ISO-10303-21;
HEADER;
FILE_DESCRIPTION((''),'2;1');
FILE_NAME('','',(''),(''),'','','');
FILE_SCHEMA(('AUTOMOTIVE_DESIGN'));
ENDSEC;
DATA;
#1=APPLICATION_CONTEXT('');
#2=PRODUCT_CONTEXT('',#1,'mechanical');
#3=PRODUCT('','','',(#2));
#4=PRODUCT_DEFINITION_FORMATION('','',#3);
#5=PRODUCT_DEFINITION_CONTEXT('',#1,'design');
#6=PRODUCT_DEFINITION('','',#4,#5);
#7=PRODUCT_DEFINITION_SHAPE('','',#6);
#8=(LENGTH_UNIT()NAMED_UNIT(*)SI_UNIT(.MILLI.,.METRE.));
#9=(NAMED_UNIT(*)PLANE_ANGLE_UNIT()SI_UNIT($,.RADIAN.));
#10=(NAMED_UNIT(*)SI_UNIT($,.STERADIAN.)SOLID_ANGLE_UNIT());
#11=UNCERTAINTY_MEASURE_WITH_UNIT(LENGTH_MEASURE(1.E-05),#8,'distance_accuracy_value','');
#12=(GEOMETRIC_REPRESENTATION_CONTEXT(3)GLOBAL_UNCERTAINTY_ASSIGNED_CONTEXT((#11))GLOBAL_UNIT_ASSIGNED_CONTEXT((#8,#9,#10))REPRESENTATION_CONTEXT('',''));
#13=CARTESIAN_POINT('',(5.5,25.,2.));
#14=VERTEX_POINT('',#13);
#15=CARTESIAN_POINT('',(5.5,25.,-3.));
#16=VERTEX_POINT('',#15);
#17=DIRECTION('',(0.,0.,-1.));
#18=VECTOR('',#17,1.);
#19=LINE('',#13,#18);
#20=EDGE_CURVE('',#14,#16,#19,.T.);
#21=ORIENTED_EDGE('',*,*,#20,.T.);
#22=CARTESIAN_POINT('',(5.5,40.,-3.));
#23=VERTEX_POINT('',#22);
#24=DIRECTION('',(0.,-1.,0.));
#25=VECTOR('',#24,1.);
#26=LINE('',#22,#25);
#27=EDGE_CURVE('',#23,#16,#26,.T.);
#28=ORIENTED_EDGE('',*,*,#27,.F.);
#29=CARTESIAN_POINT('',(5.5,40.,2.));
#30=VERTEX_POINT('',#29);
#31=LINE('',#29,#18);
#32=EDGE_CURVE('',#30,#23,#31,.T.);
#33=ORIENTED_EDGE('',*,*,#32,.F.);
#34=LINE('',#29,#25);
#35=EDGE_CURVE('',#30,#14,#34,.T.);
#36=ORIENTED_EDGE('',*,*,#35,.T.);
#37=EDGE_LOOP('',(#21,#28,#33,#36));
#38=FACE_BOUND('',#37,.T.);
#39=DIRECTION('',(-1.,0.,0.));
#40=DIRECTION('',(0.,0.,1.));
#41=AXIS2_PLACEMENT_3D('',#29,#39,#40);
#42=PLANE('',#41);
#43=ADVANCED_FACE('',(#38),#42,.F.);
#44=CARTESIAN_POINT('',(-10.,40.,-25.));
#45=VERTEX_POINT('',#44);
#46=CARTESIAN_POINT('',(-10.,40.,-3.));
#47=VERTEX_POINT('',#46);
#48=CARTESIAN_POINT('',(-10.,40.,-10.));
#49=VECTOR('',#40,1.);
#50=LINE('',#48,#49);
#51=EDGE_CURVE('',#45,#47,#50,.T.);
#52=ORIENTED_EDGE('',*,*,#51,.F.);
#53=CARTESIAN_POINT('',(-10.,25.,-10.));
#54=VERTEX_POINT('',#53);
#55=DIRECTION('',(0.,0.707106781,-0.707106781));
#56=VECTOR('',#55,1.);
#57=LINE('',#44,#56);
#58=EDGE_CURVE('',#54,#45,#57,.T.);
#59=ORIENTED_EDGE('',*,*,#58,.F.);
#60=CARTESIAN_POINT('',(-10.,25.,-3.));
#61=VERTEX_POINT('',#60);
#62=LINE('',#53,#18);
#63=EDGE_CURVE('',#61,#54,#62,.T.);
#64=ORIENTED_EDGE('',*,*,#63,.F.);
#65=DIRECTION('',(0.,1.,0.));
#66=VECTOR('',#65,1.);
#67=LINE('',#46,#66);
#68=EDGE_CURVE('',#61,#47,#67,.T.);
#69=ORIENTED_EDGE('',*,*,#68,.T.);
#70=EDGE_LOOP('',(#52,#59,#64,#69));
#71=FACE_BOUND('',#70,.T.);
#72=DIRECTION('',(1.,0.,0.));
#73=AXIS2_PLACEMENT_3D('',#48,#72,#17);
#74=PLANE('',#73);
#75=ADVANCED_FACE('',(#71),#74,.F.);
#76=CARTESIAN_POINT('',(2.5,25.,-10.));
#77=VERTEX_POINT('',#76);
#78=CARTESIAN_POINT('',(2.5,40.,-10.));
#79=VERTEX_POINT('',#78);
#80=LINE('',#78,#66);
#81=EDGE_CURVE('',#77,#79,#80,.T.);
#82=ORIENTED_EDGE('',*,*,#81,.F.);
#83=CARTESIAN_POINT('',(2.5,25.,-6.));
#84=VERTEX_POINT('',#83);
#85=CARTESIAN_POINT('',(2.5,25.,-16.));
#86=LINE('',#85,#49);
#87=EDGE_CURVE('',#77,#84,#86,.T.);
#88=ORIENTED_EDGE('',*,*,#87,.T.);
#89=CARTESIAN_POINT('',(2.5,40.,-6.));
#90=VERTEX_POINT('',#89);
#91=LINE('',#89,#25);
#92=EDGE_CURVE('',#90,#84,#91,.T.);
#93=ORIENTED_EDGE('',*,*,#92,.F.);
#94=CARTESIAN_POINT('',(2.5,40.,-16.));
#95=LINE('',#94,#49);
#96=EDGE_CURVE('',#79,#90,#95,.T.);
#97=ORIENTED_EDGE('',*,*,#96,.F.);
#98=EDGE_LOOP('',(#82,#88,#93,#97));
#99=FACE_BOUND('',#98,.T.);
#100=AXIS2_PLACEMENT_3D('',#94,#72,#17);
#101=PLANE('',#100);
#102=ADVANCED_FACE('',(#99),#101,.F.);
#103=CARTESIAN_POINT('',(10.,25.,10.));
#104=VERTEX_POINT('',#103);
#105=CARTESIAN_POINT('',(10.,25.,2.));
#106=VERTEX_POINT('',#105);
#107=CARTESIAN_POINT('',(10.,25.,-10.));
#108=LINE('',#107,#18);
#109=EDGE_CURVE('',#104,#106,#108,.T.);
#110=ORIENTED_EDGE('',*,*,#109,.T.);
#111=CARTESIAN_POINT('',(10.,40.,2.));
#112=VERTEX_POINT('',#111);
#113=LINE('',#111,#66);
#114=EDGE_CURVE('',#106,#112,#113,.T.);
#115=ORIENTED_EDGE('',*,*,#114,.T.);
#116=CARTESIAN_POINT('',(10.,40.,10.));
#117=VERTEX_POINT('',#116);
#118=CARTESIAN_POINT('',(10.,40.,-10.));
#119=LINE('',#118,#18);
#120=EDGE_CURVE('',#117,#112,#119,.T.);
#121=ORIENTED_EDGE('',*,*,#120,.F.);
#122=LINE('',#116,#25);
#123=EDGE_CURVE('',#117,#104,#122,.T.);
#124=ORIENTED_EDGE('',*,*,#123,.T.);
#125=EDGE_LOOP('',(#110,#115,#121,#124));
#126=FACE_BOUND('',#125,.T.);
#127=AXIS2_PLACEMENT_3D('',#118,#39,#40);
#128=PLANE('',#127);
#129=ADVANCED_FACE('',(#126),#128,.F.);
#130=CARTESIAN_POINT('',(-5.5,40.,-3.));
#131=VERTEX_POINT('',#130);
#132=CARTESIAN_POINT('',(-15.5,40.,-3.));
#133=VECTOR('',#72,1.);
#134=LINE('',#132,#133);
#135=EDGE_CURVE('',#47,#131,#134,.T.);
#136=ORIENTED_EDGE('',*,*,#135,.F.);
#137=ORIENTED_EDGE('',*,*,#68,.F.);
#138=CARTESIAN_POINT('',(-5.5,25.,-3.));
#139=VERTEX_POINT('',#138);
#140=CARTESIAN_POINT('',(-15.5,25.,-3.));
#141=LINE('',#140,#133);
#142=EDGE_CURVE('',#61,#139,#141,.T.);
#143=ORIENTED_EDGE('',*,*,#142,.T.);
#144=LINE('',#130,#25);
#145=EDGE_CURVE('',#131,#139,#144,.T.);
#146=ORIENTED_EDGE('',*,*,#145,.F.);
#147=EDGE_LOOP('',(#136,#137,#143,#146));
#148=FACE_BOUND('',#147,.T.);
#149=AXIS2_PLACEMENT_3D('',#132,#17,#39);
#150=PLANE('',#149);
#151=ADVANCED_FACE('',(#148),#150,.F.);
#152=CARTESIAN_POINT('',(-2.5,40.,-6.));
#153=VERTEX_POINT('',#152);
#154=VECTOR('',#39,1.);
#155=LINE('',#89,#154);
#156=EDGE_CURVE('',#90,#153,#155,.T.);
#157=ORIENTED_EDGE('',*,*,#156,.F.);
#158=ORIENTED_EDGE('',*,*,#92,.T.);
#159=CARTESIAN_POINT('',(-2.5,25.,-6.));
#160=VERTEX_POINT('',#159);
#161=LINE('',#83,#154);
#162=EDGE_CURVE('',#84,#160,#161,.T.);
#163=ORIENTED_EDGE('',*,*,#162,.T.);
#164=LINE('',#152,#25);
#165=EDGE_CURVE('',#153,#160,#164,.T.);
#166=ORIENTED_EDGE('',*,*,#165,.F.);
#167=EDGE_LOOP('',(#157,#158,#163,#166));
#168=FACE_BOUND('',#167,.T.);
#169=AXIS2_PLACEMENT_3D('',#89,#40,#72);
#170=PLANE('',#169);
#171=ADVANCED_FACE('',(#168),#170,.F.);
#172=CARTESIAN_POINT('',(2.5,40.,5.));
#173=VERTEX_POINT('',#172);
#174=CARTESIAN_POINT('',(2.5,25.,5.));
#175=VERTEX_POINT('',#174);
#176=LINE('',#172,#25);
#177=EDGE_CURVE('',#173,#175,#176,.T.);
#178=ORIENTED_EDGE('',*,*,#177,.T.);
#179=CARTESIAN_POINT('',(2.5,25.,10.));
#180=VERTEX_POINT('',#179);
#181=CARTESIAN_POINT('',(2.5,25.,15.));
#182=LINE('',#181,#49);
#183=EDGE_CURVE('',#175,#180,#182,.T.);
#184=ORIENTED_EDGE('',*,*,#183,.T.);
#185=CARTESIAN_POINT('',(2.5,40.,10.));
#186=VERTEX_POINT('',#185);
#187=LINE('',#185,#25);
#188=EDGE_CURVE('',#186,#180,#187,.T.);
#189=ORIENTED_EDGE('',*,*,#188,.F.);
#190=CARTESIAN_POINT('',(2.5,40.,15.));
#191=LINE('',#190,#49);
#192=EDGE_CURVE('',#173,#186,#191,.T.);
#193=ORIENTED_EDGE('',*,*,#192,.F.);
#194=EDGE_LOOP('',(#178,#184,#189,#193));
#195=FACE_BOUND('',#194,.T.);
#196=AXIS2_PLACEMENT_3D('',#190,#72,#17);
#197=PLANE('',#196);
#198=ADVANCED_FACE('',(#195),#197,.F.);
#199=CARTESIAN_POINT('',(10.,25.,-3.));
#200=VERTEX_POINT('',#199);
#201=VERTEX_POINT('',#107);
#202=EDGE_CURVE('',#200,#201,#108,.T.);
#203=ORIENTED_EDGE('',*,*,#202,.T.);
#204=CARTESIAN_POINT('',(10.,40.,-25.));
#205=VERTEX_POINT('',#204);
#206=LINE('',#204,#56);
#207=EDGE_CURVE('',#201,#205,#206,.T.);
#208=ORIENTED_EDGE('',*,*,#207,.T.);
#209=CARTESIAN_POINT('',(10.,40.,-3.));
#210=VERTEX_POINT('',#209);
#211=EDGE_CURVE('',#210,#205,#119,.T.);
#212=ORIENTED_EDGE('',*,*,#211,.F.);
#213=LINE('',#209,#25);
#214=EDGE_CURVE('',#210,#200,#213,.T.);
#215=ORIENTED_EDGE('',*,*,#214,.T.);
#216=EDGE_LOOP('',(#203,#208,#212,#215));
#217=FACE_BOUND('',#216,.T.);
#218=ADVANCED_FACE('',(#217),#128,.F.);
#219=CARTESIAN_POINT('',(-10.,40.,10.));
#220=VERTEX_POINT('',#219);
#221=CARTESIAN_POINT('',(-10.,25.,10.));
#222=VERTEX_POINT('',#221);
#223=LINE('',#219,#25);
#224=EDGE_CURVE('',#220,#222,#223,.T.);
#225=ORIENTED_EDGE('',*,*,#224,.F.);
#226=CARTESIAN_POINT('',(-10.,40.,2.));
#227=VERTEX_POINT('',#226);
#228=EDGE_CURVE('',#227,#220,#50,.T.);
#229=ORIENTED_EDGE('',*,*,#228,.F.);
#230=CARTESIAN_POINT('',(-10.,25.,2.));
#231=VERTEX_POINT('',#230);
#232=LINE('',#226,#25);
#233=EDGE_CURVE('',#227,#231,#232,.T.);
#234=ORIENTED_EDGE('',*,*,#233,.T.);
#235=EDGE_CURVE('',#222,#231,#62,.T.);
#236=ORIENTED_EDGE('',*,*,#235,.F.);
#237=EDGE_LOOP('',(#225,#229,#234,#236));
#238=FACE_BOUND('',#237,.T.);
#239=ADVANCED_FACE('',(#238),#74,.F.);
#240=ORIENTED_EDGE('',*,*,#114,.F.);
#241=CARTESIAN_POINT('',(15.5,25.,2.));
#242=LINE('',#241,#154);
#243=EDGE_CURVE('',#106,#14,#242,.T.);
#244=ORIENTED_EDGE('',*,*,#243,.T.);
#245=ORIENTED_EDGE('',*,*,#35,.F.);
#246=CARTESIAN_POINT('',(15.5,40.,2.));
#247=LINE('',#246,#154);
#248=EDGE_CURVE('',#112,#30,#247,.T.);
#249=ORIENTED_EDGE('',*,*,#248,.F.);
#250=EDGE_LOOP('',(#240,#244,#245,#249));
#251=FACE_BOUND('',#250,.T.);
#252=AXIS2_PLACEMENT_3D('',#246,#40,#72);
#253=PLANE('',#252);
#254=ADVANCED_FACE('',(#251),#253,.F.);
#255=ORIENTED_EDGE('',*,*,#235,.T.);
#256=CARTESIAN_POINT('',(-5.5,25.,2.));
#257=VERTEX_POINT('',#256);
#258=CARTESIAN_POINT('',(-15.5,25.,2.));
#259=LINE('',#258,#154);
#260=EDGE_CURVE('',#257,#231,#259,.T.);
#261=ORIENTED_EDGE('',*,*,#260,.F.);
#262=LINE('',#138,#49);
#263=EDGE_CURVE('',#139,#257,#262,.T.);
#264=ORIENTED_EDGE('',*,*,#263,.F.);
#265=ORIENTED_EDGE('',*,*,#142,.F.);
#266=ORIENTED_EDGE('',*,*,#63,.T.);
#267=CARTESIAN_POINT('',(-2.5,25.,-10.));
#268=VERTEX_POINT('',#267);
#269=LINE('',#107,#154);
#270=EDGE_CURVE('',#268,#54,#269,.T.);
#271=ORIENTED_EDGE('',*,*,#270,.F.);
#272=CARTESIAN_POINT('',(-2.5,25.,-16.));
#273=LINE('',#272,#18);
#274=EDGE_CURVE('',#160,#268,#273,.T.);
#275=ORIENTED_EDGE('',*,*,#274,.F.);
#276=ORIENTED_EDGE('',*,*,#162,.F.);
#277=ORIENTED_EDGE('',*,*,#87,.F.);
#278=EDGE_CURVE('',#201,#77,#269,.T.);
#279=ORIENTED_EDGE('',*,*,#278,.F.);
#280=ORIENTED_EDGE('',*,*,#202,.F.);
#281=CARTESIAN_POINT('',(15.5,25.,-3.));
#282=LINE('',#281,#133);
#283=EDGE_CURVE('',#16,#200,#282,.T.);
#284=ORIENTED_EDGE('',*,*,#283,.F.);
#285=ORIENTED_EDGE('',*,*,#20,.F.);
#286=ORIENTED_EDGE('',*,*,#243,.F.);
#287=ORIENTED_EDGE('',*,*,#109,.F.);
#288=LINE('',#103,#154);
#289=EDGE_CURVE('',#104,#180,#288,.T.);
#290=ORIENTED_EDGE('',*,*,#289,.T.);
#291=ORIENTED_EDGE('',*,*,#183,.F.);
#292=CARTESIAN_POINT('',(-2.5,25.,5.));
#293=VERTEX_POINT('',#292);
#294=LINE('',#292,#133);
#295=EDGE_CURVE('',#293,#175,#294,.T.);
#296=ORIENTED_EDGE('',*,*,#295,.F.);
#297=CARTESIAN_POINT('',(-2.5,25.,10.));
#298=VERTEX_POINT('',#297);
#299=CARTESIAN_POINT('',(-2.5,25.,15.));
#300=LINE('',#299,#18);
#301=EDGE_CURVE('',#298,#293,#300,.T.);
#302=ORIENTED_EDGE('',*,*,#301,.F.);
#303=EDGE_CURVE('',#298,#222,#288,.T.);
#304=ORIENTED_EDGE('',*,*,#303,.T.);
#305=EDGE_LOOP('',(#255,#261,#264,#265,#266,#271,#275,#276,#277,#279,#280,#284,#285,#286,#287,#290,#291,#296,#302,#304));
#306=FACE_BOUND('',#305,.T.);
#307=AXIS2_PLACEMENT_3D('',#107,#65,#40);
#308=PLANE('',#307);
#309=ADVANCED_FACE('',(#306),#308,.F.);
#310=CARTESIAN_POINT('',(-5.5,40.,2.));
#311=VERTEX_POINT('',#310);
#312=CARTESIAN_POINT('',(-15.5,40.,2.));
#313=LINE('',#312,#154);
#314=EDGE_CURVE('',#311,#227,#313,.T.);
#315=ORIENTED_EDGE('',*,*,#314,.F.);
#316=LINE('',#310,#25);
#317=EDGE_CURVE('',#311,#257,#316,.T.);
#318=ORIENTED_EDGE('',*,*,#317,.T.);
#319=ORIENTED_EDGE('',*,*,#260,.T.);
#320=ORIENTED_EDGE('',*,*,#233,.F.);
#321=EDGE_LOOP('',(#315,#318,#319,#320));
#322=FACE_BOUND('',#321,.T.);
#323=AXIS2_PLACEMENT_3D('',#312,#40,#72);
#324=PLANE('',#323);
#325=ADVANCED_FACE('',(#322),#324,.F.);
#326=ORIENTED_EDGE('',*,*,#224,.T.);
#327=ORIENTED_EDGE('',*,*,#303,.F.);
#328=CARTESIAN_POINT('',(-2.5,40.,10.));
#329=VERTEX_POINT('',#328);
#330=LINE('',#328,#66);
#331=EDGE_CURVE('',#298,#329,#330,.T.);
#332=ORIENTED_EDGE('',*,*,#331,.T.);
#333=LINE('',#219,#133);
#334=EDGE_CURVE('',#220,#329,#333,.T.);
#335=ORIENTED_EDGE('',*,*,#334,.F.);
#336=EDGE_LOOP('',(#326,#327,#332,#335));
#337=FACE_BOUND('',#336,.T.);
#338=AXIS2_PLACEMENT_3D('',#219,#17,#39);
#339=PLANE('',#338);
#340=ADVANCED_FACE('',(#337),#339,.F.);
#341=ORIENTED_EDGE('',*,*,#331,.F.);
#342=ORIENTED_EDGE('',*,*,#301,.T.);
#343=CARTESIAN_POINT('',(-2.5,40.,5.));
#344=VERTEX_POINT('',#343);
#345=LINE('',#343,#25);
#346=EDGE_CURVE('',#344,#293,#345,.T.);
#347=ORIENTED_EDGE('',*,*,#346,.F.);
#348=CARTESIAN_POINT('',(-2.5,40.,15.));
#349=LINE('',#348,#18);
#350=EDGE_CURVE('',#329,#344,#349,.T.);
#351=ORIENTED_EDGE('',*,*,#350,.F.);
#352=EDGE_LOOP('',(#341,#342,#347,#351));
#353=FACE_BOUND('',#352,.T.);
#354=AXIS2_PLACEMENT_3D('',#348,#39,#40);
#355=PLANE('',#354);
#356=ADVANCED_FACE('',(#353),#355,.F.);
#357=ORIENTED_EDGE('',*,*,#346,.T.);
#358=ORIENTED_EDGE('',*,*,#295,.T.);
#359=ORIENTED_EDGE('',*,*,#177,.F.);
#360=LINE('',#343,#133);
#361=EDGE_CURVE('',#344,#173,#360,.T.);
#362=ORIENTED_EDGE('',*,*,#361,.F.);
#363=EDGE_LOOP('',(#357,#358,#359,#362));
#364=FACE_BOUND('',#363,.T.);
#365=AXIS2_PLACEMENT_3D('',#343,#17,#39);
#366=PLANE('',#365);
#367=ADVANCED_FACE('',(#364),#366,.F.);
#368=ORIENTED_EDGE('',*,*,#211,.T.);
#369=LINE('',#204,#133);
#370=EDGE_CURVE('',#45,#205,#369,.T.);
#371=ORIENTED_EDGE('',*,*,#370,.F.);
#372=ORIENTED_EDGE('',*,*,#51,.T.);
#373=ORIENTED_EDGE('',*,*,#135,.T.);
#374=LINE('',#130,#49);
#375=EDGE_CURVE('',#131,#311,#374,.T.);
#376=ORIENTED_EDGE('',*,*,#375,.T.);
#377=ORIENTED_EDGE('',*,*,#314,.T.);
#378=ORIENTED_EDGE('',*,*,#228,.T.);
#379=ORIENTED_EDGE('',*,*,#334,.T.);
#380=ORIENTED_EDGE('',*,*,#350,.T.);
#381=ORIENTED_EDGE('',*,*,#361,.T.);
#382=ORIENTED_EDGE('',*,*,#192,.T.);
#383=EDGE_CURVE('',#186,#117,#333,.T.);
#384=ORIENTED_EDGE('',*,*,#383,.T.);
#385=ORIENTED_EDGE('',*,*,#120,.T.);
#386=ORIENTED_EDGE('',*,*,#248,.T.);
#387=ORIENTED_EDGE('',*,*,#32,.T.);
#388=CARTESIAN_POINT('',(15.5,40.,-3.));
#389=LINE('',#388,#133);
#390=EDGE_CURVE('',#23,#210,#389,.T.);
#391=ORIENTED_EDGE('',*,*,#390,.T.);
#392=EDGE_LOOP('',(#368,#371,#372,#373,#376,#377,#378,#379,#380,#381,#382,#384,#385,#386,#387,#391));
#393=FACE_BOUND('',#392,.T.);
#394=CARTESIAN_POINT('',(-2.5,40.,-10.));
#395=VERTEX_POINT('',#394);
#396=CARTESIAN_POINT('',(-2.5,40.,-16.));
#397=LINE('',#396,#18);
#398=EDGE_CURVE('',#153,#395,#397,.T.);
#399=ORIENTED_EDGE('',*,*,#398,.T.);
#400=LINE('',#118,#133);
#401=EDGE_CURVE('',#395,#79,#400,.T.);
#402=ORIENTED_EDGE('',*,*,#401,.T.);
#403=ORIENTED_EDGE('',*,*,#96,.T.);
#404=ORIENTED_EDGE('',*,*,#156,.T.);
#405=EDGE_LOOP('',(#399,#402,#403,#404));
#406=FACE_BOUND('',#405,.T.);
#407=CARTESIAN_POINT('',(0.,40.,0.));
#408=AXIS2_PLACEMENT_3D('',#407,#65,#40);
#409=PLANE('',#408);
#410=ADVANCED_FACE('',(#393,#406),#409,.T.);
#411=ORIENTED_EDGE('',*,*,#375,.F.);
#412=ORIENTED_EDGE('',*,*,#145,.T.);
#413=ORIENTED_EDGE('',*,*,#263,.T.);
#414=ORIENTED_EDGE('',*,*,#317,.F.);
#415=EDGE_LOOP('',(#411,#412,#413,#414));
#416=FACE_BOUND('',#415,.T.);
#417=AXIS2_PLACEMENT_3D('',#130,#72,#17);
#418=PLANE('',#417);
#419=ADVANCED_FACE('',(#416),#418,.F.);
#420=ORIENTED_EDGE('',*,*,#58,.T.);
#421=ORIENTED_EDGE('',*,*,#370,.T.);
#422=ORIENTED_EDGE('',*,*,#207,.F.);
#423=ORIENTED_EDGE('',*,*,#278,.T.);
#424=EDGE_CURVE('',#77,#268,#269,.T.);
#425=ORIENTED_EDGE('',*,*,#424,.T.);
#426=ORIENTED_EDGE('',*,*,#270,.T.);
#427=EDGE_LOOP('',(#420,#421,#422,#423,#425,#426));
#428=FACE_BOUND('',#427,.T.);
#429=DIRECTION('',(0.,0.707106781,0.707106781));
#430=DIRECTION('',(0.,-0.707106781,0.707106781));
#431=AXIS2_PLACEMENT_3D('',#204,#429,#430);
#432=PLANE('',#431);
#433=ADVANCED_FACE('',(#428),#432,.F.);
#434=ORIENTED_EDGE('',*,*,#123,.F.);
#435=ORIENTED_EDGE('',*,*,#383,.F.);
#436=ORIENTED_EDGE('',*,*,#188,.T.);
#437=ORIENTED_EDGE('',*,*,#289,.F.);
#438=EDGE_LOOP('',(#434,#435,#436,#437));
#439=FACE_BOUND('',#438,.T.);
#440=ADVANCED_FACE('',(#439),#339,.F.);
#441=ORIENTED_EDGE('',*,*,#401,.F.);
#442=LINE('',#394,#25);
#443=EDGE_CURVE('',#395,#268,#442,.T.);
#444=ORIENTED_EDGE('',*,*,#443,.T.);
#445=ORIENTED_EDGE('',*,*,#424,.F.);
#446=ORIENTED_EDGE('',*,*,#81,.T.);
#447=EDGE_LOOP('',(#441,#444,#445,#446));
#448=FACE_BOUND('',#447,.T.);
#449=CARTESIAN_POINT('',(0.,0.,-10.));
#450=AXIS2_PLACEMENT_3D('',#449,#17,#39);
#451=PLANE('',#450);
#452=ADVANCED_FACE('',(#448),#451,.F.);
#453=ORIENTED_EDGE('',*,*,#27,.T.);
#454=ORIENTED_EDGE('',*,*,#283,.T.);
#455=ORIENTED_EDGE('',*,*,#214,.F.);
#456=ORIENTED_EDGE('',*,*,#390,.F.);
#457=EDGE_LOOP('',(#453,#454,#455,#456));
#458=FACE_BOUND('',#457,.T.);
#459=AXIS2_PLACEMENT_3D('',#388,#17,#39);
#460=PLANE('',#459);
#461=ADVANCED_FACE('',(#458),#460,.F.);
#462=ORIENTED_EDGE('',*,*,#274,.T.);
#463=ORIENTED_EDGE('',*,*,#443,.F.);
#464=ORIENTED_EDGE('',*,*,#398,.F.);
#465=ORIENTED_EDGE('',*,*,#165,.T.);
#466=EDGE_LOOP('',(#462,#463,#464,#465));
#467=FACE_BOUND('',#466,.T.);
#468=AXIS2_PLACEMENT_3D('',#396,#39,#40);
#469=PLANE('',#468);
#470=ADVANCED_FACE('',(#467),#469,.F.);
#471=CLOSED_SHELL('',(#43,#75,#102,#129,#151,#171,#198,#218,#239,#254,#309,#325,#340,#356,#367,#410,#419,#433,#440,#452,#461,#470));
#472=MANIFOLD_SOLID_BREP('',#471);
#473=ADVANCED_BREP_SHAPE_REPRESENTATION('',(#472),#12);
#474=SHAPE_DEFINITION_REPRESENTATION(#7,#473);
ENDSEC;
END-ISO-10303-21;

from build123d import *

# Parameters (mm, degrees)
SKETCH2_W           = 20
SKETCH2_H           = 20
BOSS_EXTRUDE2_DEPTH = 40
SKETCH4_W           = 5
SKETCH4_H           = 10
CUT_EXTRUDE1_DEPTH  = 41
CIRPATTERN1_COUNT   = 4
SKETCH10_W          = 20
SKETCH10_H          = 15
BOSS_EXTRUDE4_DEPTH = 15
CUT_EXTRUDE3_DEPTH  = 21
SKETCH13_W          = 20
SKETCH13_H          = 25
CUT_EXTRUDE4_DEPTH  = 21


with BuildPart() as part:
    # Sketch2 → Boss-Extrude2 (new body)
    with BuildSketch(Plane(origin=(0, 0, 0), x_dir=(1, 0, 0), z_dir=(0, 1, 0))):
        Rectangle(SKETCH2_W, SKETCH2_H)
    extrude(amount=BOSS_EXTRUDE2_DEPTH)

    # Sketch4 → Cut-Extrude1 (cut, through all)
    with BuildSketch(Plane.XZ):
        with Locations((0, 10)):
            Rectangle(SKETCH4_W, SKETCH4_H)
    cut_extrude1 = extrude(amount=-CUT_EXTRUDE1_DEPTH, mode=Mode.SUBTRACT)

    # CirPattern1: Cut-Extrude1 ×4 about axis
    cirpattern1_axis = Axis((0, 0, -0.5), (0, 1, 0))
    for i in range(1, CIRPATTERN1_COUNT):
        add(cut_extrude1.rotate(cirpattern1_axis, i * 360 / CIRPATTERN1_COUNT), mode=Mode.SUBTRACT)

    # Sketch10 → Boss-Extrude4 (add)
    with BuildSketch(Plane(origin=(0, 0, -10), x_dir=(-1, 0, 0), z_dir=(0, 0, -1))):
        with Locations((0, 32.5)):
            Rectangle(SKETCH10_W, SKETCH10_H)
    extrude(amount=BOSS_EXTRUDE4_DEPTH)

    # Sketch12 → Cut-Extrude3 (cut, through all)
    with BuildSketch(Plane.ZY.offset(10)):
        Polygon((-25, 40), (-10, 25), (-25, 25), align=None)
    extrude(amount=-CUT_EXTRUDE3_DEPTH, mode=Mode.SUBTRACT)

    # Sketch13 → Cut-Extrude4 (cut, through all)
    with BuildSketch(Plane.ZY.offset(10)):
        with Locations((0, 12.5)):
            Rectangle(SKETCH13_W, SKETCH13_H)
    extrude(amount=-CUT_EXTRUDE4_DEPTH, mode=Mode.SUBTRACT)


solid = part.part
